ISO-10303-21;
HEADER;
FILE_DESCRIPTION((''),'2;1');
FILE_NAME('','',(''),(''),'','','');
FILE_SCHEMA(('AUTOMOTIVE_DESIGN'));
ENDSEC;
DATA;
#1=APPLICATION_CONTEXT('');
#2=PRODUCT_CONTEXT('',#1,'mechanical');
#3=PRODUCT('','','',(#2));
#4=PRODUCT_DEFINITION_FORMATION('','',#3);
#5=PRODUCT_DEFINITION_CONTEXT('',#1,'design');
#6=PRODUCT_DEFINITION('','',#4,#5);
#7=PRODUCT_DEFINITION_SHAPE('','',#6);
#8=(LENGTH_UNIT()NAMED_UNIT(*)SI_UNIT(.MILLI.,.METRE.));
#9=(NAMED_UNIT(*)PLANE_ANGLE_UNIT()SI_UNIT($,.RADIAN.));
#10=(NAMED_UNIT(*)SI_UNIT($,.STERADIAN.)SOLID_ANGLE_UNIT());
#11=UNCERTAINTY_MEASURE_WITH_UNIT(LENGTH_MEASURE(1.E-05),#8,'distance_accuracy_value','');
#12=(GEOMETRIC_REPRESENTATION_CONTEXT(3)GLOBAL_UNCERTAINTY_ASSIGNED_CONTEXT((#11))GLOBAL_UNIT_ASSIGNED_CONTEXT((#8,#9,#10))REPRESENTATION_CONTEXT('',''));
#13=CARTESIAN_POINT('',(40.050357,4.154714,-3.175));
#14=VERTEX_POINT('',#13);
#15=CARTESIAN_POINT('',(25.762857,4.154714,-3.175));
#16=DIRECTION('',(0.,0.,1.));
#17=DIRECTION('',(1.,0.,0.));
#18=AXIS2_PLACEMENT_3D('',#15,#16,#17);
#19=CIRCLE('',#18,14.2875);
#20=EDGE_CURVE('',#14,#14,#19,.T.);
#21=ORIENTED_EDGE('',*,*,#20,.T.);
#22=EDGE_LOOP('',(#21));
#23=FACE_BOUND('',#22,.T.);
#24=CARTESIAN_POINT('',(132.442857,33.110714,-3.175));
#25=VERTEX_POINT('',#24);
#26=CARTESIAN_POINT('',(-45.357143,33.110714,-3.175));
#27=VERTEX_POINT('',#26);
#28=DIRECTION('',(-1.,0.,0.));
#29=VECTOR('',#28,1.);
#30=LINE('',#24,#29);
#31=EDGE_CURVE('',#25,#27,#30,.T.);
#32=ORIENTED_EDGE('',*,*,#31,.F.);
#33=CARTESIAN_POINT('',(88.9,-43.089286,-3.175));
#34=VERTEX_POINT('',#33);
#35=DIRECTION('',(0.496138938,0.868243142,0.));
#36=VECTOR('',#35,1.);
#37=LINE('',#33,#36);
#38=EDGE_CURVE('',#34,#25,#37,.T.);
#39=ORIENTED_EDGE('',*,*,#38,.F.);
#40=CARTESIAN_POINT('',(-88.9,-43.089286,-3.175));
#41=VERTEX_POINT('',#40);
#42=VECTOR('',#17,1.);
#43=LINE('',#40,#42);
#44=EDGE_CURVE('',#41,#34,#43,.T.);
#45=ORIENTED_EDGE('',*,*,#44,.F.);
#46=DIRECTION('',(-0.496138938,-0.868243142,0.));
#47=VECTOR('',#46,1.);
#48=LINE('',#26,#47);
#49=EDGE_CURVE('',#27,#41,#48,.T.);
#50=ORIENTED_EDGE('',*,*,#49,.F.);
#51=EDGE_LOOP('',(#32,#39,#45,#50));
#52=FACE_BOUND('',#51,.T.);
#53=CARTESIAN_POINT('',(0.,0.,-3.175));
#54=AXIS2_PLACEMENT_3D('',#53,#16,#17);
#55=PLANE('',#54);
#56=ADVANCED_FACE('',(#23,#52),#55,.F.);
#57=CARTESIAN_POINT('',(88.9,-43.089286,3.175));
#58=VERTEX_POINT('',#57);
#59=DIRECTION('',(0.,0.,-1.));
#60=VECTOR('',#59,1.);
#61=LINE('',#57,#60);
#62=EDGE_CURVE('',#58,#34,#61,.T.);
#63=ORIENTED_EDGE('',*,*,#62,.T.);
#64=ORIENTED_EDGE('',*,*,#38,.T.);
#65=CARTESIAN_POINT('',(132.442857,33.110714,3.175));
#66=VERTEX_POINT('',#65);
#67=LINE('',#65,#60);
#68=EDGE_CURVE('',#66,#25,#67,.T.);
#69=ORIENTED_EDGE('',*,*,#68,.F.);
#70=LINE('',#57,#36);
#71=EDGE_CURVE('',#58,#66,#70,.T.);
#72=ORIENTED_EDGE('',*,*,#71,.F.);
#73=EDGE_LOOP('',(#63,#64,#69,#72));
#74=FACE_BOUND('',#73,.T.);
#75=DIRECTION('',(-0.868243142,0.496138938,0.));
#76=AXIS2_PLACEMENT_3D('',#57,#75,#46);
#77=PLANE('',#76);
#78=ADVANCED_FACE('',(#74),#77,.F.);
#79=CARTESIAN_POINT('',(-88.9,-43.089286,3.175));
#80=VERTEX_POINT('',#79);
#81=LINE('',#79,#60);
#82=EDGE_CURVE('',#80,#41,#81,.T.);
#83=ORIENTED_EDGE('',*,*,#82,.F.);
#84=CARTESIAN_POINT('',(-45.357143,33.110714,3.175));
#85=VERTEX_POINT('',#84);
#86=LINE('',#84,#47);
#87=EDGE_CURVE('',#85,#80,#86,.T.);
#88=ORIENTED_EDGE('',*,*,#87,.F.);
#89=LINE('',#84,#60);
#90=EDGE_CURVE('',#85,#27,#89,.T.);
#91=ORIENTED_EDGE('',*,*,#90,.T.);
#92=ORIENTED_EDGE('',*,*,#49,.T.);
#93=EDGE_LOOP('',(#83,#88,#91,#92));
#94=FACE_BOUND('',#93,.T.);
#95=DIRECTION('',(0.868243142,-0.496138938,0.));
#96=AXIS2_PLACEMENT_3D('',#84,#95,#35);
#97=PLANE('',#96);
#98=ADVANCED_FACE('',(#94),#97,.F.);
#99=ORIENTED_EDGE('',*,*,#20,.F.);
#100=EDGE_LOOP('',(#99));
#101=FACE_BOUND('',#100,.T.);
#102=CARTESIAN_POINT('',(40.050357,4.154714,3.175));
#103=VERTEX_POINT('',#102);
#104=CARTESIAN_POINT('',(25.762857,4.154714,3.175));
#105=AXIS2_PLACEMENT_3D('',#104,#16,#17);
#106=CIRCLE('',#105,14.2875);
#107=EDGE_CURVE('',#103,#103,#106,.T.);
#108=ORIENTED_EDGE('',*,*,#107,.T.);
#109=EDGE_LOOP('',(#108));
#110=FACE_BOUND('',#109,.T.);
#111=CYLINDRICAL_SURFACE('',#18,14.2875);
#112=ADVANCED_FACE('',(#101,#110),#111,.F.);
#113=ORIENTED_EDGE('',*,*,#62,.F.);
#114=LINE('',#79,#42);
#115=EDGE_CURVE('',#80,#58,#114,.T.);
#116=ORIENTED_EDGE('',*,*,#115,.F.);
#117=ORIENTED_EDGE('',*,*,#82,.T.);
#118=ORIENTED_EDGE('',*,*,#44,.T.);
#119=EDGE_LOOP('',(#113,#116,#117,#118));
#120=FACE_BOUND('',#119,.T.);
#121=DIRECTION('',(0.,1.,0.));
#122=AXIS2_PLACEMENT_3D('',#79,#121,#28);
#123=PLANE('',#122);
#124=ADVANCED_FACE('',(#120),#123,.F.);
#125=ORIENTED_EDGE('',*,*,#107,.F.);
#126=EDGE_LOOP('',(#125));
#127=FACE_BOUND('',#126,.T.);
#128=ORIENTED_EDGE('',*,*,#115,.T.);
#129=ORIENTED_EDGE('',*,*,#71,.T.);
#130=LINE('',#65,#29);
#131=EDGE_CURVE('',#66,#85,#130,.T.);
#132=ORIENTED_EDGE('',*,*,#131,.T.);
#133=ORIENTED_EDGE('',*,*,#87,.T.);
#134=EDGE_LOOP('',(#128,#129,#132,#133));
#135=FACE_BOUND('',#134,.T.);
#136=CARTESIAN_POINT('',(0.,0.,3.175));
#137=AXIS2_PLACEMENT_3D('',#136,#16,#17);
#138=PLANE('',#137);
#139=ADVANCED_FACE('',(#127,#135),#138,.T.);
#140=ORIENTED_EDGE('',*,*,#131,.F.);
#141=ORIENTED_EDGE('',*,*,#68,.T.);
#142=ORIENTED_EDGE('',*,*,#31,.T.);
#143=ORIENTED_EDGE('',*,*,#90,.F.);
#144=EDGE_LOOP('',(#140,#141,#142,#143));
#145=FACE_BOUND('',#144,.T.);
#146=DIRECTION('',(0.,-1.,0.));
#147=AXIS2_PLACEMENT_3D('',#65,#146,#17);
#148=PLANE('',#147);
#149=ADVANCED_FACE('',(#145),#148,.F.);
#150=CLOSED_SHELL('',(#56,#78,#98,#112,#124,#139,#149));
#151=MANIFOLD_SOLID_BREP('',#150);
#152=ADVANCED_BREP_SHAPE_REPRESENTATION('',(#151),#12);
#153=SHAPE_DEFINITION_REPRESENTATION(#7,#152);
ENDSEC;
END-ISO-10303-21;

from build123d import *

# Parameters (mm, degrees)
BOSS_EXTRUDE1_DEPTH = 3.175
SKETCH3_R           = 14.2875
CUT_EXTRUDE2_DEPTH  = 140.420656474


with BuildPart() as part:
    # Sketch1 → Boss-Extrude1 (new, symmetric)
    with BuildSketch(Plane.XY):
        Polygon((-88.9, -43.089285714), (88.9, -43.089285714), (132.442857143, 33.110714286), (-45.357142857, 33.110714286), align=None)
    extrude(amount=BOSS_EXTRUDE1_DEPTH, both=True)

    # Sketch3 → Cut-Extrude2 (cut, through all)
    with BuildSketch(Plane.XY.offset(3.175)):
        with Locations((25.762857143, 4.154714286)):
            Circle(SKETCH3_R)
    extrude(amount=-CUT_EXTRUDE2_DEPTH, mode=Mode.SUBTRACT)


solid = part.part
